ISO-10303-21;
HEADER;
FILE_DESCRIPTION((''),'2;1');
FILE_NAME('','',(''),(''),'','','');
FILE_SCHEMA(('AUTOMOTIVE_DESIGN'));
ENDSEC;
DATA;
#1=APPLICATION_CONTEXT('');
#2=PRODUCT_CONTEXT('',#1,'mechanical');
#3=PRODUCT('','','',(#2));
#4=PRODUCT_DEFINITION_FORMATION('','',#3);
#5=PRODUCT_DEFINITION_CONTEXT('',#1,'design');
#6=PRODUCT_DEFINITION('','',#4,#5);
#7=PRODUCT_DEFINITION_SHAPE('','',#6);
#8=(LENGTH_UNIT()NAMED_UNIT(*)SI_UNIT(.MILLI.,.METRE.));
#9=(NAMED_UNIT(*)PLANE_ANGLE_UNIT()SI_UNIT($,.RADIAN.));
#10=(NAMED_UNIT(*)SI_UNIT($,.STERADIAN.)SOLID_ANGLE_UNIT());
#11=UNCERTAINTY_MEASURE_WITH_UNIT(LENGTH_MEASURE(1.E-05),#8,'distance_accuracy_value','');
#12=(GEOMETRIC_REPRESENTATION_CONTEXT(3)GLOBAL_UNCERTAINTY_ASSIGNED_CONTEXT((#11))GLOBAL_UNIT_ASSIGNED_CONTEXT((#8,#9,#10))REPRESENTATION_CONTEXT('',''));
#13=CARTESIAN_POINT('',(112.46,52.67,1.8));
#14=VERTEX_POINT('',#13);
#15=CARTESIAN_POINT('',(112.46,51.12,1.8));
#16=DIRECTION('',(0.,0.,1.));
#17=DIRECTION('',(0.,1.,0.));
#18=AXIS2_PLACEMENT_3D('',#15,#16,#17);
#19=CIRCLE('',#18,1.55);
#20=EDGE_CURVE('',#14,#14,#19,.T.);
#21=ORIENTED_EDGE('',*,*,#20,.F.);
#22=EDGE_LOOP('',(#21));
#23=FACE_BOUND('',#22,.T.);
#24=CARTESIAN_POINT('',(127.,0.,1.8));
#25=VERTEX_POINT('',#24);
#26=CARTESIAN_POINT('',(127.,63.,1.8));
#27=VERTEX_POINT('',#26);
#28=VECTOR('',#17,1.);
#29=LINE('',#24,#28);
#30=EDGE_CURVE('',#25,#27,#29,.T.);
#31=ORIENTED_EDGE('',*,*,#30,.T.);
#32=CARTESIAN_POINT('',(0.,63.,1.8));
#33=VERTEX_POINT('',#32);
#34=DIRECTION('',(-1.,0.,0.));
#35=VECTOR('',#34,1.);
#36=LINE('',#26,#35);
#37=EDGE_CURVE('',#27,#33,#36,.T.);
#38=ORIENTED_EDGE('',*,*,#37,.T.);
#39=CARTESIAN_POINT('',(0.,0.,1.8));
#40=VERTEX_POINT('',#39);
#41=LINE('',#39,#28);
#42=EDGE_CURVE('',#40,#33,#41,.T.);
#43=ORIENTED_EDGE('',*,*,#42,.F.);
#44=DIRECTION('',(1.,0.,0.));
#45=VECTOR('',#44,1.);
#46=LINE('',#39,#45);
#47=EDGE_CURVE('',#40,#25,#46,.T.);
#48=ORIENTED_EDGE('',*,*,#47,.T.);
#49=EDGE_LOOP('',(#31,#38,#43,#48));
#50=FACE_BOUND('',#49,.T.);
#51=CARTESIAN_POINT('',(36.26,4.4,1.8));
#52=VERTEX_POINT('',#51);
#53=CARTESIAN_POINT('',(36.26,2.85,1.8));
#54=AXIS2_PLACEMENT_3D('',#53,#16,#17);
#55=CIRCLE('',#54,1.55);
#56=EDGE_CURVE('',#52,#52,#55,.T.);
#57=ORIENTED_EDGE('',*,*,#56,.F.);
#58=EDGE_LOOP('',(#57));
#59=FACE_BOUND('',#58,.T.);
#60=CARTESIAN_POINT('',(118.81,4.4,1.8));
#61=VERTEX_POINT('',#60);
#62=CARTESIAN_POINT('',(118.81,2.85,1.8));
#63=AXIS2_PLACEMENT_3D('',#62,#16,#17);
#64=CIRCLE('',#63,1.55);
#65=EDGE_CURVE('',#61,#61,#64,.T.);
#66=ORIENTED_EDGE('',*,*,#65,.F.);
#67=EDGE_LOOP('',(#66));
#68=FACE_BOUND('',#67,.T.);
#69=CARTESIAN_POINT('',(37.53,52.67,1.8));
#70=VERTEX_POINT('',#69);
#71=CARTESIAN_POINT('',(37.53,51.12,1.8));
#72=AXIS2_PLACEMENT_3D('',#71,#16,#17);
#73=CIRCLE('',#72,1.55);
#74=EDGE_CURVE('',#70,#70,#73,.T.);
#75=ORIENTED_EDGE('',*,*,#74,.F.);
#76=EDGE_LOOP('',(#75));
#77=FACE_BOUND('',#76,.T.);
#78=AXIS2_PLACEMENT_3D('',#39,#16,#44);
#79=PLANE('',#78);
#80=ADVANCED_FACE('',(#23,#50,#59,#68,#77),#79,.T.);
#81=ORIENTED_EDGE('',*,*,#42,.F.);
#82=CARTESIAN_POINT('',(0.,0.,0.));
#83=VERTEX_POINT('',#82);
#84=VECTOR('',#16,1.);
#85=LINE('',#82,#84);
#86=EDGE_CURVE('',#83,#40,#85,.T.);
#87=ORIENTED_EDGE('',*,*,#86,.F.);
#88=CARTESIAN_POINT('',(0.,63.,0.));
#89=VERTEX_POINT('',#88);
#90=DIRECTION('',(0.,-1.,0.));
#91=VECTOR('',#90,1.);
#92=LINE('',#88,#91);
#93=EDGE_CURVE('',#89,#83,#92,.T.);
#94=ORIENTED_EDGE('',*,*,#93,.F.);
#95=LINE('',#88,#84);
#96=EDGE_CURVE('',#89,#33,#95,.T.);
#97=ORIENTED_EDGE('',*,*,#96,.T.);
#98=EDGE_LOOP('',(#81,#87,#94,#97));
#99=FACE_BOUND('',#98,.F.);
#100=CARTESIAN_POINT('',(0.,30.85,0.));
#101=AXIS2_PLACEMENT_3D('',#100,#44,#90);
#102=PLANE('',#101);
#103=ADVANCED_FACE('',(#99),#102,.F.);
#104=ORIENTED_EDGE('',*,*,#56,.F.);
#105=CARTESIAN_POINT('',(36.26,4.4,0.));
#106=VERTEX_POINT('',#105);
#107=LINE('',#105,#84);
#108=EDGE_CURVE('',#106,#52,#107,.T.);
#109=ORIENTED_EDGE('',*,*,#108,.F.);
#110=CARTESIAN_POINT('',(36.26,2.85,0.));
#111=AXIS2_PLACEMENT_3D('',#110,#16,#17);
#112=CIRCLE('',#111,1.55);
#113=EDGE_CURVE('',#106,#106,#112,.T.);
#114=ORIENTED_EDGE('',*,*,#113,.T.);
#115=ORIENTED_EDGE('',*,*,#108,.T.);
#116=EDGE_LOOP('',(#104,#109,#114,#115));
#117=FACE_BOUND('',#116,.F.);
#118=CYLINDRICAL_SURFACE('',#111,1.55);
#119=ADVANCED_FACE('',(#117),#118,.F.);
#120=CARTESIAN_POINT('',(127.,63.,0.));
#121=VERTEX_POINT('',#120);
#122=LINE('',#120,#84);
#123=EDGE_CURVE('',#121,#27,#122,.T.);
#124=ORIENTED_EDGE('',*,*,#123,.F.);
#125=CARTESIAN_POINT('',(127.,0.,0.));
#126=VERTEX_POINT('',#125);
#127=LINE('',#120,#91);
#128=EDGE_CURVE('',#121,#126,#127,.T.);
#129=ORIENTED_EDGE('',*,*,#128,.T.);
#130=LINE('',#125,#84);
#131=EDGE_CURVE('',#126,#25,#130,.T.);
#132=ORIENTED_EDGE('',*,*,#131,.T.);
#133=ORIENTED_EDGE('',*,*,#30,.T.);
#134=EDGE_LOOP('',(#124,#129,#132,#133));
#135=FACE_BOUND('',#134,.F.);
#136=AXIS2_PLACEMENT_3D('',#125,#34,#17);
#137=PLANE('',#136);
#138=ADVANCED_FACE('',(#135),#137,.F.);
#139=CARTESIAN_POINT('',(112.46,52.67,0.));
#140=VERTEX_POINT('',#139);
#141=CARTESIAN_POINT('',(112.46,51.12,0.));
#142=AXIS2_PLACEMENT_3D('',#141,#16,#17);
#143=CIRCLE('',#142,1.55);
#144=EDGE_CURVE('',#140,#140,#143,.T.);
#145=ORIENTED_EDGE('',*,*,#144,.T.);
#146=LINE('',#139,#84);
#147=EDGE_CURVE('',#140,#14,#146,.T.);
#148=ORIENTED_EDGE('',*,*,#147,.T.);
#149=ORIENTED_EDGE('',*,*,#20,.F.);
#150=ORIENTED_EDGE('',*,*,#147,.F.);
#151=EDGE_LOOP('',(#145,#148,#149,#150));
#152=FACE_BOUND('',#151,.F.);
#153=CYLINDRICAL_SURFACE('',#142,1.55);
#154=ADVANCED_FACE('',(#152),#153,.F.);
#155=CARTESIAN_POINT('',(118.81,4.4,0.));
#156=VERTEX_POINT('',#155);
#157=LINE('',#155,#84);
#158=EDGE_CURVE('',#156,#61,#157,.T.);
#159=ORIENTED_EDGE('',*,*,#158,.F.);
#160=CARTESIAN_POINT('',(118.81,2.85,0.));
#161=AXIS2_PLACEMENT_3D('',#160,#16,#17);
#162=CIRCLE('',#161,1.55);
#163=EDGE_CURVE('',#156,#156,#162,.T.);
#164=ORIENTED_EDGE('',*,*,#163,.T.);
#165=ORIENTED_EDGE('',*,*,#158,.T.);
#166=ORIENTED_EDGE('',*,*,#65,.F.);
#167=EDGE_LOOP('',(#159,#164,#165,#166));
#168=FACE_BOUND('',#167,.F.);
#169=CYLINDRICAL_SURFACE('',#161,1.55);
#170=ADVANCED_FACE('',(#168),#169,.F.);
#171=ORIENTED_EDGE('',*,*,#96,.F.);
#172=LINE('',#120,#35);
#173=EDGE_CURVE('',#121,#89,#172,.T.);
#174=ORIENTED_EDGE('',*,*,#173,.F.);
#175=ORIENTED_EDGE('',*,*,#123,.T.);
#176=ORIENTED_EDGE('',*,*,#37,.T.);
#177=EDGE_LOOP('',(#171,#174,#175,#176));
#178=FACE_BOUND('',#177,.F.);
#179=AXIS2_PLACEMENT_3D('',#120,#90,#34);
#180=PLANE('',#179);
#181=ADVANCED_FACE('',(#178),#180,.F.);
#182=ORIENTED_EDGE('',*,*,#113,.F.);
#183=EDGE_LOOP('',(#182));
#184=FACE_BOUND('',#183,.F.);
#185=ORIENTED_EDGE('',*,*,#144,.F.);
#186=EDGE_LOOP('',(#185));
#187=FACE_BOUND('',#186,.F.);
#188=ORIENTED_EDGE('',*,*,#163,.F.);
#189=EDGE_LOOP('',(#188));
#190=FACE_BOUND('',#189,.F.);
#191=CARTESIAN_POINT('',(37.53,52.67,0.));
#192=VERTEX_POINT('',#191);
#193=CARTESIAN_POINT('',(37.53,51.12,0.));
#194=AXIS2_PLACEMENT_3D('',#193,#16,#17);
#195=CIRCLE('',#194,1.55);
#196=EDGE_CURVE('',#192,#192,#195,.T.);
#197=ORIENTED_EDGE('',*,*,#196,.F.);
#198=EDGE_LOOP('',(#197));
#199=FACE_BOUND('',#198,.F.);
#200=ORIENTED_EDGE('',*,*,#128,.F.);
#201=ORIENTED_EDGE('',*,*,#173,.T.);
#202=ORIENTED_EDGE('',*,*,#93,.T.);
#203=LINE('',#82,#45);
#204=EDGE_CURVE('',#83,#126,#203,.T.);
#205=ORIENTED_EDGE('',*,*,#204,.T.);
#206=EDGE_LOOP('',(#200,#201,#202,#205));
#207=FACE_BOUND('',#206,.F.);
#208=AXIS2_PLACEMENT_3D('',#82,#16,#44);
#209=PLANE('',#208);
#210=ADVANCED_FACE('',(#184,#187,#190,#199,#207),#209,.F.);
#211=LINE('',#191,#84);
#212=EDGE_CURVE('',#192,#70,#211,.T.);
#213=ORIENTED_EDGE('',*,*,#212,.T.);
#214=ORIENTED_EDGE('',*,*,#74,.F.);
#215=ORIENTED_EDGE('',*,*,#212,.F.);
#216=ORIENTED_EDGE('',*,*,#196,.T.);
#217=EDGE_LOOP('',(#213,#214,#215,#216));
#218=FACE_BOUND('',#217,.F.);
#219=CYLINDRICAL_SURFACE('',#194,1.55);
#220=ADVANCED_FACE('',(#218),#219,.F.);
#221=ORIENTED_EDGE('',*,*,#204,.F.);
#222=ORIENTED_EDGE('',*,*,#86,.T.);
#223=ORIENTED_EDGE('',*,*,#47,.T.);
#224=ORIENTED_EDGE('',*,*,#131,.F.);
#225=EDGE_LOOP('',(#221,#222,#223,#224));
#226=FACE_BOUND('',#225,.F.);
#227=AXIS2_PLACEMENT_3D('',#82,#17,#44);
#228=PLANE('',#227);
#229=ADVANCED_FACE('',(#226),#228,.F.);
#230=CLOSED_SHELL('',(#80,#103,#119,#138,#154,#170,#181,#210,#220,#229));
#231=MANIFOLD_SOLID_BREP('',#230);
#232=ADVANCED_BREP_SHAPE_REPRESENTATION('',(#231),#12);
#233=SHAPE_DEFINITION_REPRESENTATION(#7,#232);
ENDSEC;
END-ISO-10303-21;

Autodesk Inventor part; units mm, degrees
ref_plane "YZ Plane" through (0, 0, 0) normal (1, 0, 0) x (0, 1, 0)
ref_plane "XZ Plane" through (0, 0, 0) normal (0, 1, 0) x (-1, 0, 0)
ref_plane "XY Plane" through (0, 0, 0) normal (0, 0, 1) x (1, 0, 0)
sketch "Sketch1" plane through (0, 0, 0) normal (0, 0, 1) x (1, 0, 0)
  line L0 (0, 0) -> (127, 0)
  line L1 (127, 0) -> (127, 63)
  line L2 (127, 63) -> (0, 63)
  line L3 (0, 63) -> (0, 0)
  line L4 (13.2018, 51.12) -> (120.6255, 51.12) construction
  line L5 (9.1408, 2.85) -> (116.7218, 2.85) construction
  line L6 (-34.7064, 30.85) -> (160.9804, 30.85)
  point P0 (37.53, 51.12)
  point P1 (112.46, 51.12)
  point P2 (118.81, 2.85)
  point P3 (36.26, 2.85)
  dimension "d0" = 127
  dimension "d1" = 63
  dimension "d21" = 37.53
  dimension "d22" = 36.26
  dimension "d23" = 118.81
  dimension "d24" = 112.46
  dimension "d25" = 30.85
  dimension "d26" = 28
  dimension "d27" = 20.27
  dimension "d28" = 11.88
  dimension "d29" = 2.85
extrude "Extrusion1" add sketch "Sketch1" along normal blind 1.8
hole "Hole1" at (37.53, 51.12, 0) at (112.46, 51.12, 0) at (118.81, 2.85, 0) at (36.26, 2.85, 0) direction (0, 0, 1) diameter 3.1 end through all
sketch "Sketch2" plane through (0, 0, 1.8) normal (0, 0, 1) x (1, 0, 0)
  line L0 (118.8, 41.95) -> (123.88, 41.95)
  line L1 (123.88, 41.95) -> (123.88, 11.47)
  line L2 (123.88, 11.47) -> (118.8, 11.47)
  line L3 (118.8, 11.47) -> (118.8, 41.95)
  line L4 (127, 0) -> (127, 63) projected
  line L5 (0, 0) -> (127, 0) projected
  dimension "d17" = 5.08
  dimension "d18" = 30.48
  dimension "d19" = 3.12
  dimension "d20" = 11.47
ref_plane "Work Plane1" through (127, 30.85, 0) normal (0, 1, 0) x (1, 0, 0)
properties part number "PCB Control Board ADICUP1"
